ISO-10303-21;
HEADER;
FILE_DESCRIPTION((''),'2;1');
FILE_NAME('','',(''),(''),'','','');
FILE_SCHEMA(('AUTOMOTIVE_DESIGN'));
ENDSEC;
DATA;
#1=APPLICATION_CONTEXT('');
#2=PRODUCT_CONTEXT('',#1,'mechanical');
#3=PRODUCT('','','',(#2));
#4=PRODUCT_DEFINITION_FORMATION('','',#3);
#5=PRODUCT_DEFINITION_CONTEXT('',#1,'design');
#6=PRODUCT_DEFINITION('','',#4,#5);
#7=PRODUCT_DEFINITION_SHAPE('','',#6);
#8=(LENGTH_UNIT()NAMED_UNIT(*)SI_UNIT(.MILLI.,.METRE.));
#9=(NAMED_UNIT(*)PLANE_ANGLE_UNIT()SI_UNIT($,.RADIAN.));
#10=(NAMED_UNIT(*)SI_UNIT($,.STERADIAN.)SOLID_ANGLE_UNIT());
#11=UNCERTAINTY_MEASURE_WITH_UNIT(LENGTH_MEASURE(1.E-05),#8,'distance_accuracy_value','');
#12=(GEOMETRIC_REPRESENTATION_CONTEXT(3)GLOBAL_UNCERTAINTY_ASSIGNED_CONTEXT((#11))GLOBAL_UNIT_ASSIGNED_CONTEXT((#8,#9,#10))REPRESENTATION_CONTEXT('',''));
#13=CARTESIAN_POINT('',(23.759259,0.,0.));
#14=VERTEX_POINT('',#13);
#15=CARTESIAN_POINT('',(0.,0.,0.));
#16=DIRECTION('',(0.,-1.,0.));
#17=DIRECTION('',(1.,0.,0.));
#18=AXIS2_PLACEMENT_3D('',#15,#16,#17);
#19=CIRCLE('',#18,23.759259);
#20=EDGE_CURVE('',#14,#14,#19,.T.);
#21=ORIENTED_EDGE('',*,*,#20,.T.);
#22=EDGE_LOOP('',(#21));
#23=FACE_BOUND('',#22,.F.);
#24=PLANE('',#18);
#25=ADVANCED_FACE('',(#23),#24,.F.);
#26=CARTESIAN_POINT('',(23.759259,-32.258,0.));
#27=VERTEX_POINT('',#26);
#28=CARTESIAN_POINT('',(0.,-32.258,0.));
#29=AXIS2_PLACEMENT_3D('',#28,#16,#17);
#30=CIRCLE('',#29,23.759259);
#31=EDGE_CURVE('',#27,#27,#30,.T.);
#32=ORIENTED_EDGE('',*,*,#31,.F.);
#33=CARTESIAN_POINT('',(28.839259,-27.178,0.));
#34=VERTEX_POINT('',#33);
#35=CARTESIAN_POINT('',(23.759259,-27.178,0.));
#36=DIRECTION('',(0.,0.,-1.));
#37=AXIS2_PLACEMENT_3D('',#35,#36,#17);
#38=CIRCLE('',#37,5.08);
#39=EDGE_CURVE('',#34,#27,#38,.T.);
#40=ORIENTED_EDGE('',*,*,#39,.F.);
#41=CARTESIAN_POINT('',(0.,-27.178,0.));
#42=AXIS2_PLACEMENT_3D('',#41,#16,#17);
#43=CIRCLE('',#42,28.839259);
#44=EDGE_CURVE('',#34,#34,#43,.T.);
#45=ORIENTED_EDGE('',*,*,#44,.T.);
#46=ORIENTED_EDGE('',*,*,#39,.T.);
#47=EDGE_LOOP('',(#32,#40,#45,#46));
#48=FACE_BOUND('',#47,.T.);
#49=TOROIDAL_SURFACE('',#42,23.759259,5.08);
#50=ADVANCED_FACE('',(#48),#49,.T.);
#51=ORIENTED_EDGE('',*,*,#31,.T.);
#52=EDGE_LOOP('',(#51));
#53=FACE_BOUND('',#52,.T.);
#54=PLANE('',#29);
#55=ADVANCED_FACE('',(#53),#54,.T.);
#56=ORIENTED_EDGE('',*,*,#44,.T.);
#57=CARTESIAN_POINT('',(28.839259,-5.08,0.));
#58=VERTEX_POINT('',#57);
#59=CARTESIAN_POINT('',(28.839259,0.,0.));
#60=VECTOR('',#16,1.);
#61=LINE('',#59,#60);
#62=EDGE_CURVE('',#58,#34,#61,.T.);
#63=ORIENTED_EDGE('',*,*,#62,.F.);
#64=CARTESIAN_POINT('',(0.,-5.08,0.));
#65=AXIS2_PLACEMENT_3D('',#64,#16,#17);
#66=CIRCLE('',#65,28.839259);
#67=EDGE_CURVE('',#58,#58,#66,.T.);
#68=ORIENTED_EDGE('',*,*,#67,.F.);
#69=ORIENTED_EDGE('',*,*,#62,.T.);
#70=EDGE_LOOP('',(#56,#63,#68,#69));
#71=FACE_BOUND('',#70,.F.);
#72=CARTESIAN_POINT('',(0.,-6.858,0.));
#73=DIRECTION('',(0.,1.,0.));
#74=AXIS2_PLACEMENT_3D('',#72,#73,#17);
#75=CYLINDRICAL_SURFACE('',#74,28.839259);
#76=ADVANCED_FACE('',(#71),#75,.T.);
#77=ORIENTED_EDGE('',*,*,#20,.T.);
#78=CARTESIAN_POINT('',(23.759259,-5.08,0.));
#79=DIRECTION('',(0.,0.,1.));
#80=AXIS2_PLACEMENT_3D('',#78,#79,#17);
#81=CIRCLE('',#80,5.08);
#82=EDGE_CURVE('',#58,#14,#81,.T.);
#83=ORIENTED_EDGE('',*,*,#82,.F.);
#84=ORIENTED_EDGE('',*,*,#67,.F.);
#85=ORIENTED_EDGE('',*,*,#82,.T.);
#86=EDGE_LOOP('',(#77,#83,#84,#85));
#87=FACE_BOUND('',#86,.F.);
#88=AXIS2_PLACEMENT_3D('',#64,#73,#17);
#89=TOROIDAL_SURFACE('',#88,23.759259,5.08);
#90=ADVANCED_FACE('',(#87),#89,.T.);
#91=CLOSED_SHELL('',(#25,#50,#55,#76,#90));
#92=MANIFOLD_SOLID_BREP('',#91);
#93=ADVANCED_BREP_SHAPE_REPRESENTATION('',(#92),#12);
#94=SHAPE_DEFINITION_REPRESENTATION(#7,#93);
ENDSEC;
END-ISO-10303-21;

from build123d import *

# Parameters (mm, degrees)
F0_R     = 28.8392585449
F1_DEPTH = 6.858
F2_DEPTH = 25.4
F3_R     = 5.08
F4_R     = 5.08


with BuildPart() as f1:
    # F0 (on Front) → F1 (new body)
    with BuildSketch(Plane.XZ):
        Circle(F0_R)
    extrude(amount=F1_DEPTH)

    # F2 (add): a face of the model
    f2_faces = [f1.faces().sort_by_distance(p)[0] for p in [
        (0, -6.858, 0),
    ]]
    extrude(f2_faces, amount=F2_DEPTH)

    # F3
    f3_edges = [f1.edges().sort_by_distance(p)[0] for p in [
        (-28.839259, -32.258, 0),
    ]]
    fillet(f3_edges, radius=F3_R)

    # F4
    f4_edges = [f1.edges().sort_by_distance(p)[0] for p in [
        (28.839259, -13.589, 0),
        (-28.839259, -27.178, 0),
        (-28.839259, 0, 0),
    ]]
    fillet(f4_edges, radius=F4_R)


solid = f1.part
